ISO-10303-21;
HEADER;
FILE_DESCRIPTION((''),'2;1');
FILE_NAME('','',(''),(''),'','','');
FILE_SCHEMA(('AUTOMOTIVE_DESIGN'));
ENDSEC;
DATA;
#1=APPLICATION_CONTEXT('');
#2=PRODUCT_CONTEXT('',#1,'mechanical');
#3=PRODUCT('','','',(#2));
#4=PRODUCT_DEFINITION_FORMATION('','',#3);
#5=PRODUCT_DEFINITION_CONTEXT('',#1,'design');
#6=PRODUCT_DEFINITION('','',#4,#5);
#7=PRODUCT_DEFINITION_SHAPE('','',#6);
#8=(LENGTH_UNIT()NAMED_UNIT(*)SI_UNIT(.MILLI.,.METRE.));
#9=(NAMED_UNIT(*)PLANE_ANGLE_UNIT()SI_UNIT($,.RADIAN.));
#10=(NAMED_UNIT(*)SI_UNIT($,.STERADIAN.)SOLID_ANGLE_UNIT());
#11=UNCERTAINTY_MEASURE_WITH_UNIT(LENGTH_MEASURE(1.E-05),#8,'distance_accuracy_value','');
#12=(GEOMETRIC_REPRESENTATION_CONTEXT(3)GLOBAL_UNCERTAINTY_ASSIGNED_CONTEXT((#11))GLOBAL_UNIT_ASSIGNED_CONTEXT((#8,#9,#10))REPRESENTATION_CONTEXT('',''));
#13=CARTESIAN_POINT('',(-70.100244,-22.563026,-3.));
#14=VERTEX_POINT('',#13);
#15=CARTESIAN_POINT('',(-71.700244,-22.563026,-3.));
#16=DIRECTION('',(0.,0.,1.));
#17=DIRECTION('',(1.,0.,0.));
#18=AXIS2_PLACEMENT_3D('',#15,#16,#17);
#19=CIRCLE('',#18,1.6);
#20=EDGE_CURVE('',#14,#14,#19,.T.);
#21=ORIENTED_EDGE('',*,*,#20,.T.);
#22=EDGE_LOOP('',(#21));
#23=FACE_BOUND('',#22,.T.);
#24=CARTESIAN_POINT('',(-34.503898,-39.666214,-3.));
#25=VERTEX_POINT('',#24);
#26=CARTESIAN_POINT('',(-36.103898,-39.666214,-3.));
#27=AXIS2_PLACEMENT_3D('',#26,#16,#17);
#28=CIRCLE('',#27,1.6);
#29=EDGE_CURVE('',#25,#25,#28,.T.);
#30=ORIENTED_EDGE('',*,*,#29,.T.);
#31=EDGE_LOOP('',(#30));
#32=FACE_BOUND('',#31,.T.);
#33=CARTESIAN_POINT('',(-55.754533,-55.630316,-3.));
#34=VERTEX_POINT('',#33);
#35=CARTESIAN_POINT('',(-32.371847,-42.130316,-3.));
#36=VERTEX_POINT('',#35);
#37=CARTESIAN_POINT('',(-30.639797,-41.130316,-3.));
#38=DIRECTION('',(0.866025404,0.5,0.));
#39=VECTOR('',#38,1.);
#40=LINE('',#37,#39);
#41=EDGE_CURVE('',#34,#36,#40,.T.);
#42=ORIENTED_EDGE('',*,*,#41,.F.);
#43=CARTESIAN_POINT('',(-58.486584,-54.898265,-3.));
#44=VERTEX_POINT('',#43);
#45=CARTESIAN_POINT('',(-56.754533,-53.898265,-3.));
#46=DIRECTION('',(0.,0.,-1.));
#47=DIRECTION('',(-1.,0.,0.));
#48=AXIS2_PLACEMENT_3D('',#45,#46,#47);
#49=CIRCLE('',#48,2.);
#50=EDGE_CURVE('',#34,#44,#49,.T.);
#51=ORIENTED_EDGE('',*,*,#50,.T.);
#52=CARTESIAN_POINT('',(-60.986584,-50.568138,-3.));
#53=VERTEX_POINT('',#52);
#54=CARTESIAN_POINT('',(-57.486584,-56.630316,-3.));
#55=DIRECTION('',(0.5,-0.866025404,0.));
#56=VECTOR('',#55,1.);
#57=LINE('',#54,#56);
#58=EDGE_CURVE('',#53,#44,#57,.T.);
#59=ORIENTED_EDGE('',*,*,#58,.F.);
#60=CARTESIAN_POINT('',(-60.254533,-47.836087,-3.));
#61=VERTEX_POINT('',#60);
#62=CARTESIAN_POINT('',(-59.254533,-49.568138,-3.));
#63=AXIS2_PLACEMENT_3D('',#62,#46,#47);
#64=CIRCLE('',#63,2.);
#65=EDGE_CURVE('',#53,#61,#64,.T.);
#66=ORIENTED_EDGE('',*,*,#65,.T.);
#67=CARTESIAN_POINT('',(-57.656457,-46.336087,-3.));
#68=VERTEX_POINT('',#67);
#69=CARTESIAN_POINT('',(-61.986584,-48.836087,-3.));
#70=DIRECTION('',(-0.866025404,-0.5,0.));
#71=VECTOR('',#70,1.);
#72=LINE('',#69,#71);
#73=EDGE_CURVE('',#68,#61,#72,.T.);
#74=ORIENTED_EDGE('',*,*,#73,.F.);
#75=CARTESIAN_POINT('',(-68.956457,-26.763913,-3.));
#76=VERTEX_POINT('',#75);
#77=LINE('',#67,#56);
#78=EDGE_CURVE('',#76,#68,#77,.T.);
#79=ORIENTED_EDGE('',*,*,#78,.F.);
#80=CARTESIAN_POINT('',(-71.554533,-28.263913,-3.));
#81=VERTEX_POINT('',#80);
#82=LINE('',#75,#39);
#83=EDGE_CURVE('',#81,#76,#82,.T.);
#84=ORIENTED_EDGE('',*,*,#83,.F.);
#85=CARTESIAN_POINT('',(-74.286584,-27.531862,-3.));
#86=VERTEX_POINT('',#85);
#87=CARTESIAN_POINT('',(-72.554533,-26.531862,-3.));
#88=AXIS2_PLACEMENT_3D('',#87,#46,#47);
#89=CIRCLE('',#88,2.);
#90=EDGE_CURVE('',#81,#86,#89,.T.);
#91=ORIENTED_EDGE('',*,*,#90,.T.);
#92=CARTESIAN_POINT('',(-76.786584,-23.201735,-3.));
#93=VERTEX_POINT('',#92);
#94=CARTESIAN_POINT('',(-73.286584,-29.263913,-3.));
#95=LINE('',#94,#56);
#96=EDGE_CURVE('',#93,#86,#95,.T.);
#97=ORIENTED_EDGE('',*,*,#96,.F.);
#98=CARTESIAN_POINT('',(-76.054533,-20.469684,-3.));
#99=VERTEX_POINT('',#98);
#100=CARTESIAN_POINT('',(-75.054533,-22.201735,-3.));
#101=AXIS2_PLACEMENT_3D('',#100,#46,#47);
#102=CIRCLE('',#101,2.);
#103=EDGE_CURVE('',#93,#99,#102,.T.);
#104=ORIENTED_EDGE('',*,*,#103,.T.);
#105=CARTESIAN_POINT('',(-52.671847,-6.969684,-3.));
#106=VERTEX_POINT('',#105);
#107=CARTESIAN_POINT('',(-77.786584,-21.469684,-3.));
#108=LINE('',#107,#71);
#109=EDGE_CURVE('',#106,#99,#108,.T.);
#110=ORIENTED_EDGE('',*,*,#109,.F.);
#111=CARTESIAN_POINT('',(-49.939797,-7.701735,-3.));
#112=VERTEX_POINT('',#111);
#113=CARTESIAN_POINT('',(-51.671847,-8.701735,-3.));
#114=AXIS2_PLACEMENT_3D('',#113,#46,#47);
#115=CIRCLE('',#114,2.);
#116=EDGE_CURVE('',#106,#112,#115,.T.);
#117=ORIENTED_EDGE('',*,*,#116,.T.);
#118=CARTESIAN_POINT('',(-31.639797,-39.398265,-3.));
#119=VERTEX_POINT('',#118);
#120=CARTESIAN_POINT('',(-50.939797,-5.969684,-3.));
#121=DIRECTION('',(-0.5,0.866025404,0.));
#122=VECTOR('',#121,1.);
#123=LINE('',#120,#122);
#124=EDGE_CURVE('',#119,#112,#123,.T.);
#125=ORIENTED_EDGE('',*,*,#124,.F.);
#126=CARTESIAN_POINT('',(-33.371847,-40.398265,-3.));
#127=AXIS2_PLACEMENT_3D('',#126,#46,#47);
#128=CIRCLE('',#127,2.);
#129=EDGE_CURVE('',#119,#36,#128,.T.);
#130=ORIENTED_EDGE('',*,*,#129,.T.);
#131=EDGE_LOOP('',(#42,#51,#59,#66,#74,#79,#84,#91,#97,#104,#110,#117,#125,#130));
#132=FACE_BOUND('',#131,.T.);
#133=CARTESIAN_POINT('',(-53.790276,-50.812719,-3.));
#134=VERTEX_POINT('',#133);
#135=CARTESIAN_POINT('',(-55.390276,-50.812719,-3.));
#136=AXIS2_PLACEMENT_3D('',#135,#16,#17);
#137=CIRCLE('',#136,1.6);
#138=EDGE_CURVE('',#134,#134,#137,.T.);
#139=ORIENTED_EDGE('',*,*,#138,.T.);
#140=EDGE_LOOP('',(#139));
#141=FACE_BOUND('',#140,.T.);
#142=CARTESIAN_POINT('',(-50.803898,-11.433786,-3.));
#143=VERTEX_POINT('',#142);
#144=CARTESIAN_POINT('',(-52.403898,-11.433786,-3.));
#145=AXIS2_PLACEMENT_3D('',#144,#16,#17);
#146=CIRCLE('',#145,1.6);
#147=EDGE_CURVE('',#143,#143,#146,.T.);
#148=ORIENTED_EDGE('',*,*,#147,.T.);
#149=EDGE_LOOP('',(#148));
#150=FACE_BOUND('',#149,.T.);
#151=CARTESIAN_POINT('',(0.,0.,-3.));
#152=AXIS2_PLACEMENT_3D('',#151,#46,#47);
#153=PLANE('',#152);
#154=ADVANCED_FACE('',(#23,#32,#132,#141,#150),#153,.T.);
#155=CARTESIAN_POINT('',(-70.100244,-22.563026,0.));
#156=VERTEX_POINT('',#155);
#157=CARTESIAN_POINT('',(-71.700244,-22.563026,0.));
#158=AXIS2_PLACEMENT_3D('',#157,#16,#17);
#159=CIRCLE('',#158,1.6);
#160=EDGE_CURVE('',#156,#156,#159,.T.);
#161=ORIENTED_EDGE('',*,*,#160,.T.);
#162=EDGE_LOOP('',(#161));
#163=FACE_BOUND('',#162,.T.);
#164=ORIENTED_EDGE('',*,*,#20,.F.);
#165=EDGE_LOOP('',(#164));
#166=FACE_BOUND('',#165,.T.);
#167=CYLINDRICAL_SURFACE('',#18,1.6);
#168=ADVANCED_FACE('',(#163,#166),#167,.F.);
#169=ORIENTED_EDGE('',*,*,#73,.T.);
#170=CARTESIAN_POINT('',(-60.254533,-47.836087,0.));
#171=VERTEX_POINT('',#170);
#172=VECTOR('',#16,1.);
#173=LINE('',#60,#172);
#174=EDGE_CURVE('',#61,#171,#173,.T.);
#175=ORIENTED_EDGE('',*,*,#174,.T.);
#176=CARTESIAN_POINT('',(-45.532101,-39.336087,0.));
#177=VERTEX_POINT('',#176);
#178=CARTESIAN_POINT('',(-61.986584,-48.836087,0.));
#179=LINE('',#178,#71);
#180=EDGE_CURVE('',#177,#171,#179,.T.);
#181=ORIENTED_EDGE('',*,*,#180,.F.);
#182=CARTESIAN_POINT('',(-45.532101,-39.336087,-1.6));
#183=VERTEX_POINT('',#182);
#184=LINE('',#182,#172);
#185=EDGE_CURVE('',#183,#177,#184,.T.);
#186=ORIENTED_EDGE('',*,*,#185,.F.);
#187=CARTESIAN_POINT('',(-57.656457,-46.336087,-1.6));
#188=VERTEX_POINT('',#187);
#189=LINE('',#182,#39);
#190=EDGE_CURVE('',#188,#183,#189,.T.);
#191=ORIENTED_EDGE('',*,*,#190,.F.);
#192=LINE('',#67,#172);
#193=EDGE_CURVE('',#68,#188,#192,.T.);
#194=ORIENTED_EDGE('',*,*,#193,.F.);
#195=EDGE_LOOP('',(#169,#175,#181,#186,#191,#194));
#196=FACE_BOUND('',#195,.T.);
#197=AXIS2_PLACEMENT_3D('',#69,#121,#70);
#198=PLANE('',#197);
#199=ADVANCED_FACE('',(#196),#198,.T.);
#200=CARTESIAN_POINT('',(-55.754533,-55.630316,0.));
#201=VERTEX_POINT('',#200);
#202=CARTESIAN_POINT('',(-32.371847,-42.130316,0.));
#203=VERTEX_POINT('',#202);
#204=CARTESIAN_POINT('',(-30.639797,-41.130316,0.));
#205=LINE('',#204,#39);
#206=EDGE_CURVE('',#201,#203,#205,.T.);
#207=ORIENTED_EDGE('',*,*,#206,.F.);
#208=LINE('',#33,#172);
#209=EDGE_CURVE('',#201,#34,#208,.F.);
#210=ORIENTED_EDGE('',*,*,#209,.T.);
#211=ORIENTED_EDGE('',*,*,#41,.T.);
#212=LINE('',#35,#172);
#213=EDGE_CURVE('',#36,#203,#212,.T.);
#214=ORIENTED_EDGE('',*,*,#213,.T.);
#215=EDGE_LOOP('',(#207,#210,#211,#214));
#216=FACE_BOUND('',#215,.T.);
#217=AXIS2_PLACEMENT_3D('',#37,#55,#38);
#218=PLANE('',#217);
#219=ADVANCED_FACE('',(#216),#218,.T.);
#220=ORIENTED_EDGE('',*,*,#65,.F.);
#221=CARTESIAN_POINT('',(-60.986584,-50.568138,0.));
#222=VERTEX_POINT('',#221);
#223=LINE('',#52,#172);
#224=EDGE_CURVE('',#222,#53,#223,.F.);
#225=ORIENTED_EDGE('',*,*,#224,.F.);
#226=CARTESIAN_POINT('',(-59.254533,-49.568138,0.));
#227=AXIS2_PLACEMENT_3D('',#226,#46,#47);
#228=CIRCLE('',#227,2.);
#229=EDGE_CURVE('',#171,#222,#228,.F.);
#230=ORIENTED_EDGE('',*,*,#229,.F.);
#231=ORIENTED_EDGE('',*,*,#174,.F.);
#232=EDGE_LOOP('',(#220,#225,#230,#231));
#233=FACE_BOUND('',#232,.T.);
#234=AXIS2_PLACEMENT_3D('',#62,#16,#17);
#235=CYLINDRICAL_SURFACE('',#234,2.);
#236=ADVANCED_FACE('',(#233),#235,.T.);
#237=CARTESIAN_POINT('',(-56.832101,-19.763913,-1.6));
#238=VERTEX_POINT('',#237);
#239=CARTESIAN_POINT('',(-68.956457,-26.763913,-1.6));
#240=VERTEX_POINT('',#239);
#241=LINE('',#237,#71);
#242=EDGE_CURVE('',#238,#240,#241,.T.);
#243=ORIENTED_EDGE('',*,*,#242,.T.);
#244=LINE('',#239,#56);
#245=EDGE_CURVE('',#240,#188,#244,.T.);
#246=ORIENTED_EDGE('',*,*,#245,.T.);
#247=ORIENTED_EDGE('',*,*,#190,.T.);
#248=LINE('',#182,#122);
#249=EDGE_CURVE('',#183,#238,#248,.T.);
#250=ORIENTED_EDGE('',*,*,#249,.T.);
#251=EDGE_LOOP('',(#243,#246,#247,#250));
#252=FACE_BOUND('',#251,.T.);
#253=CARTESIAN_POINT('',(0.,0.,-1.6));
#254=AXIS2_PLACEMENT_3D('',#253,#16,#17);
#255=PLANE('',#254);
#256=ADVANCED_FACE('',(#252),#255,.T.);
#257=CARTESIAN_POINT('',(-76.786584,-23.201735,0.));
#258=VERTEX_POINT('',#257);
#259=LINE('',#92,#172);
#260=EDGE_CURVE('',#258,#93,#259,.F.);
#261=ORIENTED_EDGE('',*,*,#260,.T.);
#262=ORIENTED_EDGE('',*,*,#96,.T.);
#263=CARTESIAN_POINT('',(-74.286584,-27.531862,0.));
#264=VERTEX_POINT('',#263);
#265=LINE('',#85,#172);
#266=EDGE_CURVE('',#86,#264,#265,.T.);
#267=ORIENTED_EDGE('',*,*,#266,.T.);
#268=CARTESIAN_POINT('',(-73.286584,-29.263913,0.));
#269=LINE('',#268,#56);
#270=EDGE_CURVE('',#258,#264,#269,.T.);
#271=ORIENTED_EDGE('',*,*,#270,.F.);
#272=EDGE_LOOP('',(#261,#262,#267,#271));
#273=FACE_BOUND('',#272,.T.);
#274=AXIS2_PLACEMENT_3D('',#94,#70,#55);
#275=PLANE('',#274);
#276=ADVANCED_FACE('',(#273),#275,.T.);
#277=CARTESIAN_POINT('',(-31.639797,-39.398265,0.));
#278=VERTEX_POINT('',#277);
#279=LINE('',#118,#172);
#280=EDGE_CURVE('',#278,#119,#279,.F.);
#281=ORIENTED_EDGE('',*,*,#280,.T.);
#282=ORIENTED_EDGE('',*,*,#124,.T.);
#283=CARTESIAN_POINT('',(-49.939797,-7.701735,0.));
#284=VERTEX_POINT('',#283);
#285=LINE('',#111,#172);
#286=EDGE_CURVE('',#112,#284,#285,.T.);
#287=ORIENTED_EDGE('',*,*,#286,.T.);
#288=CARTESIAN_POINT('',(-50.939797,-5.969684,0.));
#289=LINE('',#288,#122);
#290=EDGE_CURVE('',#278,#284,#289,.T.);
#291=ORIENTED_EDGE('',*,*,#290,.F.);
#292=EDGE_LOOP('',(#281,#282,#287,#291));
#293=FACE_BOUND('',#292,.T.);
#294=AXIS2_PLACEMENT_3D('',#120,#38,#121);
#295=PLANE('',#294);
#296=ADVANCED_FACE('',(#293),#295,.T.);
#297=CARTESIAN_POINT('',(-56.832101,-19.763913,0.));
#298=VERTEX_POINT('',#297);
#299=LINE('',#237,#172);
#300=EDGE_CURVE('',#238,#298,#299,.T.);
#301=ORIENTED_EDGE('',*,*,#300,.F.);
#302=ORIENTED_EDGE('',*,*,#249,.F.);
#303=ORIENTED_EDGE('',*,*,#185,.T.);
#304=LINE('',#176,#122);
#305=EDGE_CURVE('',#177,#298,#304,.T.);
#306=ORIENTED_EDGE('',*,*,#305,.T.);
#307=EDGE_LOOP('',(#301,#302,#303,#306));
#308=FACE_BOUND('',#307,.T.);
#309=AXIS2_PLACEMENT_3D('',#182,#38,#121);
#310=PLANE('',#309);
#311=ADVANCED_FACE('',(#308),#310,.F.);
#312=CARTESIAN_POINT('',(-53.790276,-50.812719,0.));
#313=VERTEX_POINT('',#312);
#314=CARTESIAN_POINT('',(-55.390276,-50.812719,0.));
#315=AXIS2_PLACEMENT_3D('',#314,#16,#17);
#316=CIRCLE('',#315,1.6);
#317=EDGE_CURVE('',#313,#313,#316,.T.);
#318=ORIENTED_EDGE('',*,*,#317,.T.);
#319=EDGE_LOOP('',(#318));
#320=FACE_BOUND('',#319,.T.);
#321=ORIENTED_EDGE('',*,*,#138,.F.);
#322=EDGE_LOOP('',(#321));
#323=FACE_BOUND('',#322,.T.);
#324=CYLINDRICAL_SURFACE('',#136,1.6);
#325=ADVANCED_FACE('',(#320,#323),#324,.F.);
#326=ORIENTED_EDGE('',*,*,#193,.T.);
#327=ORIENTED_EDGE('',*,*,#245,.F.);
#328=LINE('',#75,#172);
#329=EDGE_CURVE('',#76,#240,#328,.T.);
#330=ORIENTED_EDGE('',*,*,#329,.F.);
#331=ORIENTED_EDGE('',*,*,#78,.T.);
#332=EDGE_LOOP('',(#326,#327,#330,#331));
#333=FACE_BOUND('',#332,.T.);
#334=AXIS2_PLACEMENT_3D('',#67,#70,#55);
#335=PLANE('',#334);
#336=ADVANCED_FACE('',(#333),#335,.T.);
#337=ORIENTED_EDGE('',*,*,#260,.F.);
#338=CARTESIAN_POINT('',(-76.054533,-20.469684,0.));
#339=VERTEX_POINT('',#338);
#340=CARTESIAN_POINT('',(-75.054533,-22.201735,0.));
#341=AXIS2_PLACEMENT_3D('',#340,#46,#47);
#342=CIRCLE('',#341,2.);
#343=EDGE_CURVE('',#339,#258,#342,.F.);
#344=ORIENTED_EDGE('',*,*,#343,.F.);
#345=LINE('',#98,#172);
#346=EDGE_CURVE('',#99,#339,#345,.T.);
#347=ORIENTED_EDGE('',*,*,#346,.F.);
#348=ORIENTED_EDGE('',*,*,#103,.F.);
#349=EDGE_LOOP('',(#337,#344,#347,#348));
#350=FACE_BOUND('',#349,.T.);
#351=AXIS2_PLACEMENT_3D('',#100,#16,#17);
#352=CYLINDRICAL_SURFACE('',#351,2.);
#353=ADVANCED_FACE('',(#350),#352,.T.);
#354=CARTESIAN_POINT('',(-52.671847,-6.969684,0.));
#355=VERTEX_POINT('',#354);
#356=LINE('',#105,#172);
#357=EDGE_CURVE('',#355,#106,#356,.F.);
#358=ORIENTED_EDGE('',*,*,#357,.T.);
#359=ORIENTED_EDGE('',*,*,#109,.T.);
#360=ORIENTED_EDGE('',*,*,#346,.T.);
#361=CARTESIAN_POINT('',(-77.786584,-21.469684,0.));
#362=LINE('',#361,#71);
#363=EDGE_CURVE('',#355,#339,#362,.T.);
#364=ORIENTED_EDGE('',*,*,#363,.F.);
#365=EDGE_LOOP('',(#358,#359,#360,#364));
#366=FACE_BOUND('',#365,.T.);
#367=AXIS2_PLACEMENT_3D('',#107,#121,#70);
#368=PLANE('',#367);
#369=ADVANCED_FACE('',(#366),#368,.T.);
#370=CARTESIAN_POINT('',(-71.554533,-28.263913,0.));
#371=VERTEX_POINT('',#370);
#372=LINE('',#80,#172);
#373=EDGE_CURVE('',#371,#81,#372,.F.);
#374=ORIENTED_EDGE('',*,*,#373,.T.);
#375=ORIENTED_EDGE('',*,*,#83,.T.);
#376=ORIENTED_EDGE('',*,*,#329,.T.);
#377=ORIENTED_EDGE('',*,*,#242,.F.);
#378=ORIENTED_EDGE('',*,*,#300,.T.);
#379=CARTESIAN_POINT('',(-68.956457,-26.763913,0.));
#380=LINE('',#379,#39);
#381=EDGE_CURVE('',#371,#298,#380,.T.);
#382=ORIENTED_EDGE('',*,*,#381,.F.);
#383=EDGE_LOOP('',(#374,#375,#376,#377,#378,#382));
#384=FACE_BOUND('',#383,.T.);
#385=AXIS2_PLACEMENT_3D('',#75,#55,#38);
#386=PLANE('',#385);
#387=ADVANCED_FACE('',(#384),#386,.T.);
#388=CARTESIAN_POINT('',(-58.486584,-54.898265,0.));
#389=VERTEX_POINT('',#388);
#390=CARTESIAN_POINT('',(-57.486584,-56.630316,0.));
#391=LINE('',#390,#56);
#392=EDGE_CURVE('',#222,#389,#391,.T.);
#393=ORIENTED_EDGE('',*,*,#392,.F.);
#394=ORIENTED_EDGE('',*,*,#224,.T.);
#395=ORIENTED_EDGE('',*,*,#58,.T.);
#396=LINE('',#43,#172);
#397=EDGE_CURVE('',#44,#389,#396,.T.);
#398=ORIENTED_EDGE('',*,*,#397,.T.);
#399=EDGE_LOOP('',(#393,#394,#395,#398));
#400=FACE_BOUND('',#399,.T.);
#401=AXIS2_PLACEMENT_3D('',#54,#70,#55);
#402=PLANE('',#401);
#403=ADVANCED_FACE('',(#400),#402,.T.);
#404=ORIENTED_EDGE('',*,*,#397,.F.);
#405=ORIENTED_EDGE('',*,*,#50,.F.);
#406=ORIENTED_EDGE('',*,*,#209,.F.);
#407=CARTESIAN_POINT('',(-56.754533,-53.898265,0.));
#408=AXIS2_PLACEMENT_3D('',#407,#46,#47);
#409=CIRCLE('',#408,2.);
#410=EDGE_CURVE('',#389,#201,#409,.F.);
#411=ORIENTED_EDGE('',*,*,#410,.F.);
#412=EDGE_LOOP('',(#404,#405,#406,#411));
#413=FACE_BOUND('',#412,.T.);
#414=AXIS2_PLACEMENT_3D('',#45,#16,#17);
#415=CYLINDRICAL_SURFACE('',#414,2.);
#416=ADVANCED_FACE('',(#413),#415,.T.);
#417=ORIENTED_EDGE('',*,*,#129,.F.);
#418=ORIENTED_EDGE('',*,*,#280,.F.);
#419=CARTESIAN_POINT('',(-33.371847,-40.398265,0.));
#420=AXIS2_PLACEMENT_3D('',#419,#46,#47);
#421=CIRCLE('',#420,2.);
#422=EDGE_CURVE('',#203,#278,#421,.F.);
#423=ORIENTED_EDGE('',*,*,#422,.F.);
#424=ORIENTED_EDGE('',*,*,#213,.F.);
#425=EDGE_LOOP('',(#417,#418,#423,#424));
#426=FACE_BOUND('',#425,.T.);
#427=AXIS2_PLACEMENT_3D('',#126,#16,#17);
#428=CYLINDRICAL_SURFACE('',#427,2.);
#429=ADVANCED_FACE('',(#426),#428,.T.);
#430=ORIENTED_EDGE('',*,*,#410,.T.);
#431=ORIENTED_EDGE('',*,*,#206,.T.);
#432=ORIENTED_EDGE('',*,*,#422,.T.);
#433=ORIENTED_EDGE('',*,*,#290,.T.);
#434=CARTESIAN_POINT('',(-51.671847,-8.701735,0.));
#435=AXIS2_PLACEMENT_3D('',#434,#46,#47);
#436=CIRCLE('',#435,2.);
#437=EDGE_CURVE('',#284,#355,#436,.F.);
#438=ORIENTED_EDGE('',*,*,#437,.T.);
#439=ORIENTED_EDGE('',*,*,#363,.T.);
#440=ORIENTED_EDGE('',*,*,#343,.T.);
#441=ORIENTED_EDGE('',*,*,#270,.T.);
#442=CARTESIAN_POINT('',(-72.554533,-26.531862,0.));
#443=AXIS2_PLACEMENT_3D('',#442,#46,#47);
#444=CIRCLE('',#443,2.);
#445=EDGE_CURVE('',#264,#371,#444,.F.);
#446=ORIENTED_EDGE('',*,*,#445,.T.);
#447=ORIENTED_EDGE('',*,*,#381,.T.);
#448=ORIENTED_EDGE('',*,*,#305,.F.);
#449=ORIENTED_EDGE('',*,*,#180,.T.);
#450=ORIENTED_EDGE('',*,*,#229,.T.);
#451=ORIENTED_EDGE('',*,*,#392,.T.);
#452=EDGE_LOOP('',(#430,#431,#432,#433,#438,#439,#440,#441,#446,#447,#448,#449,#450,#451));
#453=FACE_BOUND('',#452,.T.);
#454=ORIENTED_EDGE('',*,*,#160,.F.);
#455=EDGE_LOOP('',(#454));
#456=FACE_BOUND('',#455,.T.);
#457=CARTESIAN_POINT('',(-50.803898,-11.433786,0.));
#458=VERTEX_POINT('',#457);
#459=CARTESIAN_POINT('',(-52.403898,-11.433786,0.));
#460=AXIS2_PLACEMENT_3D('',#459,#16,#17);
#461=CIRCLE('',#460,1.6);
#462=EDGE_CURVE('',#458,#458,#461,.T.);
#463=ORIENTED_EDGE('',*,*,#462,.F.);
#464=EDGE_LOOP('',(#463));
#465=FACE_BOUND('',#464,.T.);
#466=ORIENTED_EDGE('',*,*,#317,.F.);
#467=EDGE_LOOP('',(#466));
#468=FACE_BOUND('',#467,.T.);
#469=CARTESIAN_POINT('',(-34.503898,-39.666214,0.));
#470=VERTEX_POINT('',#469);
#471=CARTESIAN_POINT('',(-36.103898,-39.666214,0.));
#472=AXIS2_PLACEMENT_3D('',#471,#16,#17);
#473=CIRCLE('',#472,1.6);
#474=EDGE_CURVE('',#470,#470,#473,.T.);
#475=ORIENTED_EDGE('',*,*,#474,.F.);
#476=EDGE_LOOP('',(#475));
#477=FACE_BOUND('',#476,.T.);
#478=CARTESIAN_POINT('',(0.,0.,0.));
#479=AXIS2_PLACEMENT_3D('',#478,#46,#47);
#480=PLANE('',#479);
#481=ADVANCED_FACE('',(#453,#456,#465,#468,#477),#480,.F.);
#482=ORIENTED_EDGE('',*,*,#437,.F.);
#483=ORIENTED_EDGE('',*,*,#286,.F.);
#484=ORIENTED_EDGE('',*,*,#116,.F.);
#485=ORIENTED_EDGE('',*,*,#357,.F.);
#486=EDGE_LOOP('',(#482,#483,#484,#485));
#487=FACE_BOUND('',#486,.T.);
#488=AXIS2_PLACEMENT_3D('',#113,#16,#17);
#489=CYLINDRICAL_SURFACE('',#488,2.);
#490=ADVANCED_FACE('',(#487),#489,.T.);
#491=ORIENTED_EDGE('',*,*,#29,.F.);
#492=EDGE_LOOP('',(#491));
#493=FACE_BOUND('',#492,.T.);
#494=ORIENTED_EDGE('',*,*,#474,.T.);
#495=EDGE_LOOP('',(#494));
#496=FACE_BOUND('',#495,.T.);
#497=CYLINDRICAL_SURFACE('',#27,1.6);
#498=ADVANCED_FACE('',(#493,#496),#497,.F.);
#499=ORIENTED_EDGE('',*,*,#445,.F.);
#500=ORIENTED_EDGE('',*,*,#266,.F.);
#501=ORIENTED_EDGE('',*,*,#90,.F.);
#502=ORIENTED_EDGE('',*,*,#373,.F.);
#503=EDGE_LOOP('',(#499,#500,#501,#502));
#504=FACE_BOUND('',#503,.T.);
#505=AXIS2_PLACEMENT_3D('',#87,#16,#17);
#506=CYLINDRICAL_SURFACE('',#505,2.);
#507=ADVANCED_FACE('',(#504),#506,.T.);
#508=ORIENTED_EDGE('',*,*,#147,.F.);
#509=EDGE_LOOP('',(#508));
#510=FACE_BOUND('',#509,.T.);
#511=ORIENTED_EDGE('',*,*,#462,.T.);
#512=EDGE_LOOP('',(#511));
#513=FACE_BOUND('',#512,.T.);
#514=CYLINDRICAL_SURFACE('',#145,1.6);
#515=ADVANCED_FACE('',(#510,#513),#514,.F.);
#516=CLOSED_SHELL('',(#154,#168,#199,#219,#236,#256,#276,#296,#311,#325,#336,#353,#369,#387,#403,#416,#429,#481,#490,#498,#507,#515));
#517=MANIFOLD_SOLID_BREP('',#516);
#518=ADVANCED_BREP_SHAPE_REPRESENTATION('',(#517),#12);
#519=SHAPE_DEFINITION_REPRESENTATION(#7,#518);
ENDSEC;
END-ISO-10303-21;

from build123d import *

# Parameters (mm, degrees)
SKETCH2_R           = 1.6
BOSS_EXTRUDE1_DEPTH = 3
FILLET1_R           = 2
CUT_EXTRUDE1_DEPTH  = 1.6


with BuildPart() as part:
    # Sketch2 → Boss-Extrude1 (new body)
    with BuildSketch(Plane.XY):
        Polygon((-77.786584036, -21.469684303), (-50.939796518, -5.969684303), (-30.639796518, -41.130315697), (-57.486584036, -56.630315697), (-61.986584036, -48.836087063), (-57.656457017, -46.336087063), (-68.956457017, -26.763912937), (-73.286584036, -29.263912937), align=None)
        with Locations((-52.403898133, -11.433785918)):
            Circle(SKETCH2_R, mode=Mode.SUBTRACT)
        with Locations((-36.103898133, -39.666214082)):
            Circle(SKETCH2_R, mode=Mode.SUBTRACT)
        with Locations((-55.390275833, -50.812719363)):
            Circle(SKETCH2_R, mode=Mode.SUBTRACT)
        with Locations((-71.70024372, -22.563026312)):
            Circle(SKETCH2_R, mode=Mode.SUBTRACT)
    extrude(amount=-BOSS_EXTRUDE1_DEPTH)

    # Fillet1
    fillet1_edges = [part.edges().sort_by_distance(p)[0] for p in [
        (-77.786584036, -21.469684303, -1.5),
        (-50.939796518, -5.969684303, -1.5),
        (-30.639796518, -41.130315697, -1.5),
        (-57.486584036, -56.630315697, -1.5),
        (-61.986584036, -48.836087063, -1.5),
        (-73.286584036, -29.263912937, -1.5),
    ]]
    fillet(fillet1_edges, radius=FILLET1_R)

    # Sketch3 → Cut-Extrude1 (cut)
    with BuildSketch(Plane.XY):
        Polygon((-68.956457017, -26.763912937), (-57.656457017, -46.336087063), (-45.532101364, -39.336087063), (-56.832101364, -19.763912937), align=None)
    extrude(amount=-CUT_EXTRUDE1_DEPTH, mode=Mode.SUBTRACT)


solid = part.part
